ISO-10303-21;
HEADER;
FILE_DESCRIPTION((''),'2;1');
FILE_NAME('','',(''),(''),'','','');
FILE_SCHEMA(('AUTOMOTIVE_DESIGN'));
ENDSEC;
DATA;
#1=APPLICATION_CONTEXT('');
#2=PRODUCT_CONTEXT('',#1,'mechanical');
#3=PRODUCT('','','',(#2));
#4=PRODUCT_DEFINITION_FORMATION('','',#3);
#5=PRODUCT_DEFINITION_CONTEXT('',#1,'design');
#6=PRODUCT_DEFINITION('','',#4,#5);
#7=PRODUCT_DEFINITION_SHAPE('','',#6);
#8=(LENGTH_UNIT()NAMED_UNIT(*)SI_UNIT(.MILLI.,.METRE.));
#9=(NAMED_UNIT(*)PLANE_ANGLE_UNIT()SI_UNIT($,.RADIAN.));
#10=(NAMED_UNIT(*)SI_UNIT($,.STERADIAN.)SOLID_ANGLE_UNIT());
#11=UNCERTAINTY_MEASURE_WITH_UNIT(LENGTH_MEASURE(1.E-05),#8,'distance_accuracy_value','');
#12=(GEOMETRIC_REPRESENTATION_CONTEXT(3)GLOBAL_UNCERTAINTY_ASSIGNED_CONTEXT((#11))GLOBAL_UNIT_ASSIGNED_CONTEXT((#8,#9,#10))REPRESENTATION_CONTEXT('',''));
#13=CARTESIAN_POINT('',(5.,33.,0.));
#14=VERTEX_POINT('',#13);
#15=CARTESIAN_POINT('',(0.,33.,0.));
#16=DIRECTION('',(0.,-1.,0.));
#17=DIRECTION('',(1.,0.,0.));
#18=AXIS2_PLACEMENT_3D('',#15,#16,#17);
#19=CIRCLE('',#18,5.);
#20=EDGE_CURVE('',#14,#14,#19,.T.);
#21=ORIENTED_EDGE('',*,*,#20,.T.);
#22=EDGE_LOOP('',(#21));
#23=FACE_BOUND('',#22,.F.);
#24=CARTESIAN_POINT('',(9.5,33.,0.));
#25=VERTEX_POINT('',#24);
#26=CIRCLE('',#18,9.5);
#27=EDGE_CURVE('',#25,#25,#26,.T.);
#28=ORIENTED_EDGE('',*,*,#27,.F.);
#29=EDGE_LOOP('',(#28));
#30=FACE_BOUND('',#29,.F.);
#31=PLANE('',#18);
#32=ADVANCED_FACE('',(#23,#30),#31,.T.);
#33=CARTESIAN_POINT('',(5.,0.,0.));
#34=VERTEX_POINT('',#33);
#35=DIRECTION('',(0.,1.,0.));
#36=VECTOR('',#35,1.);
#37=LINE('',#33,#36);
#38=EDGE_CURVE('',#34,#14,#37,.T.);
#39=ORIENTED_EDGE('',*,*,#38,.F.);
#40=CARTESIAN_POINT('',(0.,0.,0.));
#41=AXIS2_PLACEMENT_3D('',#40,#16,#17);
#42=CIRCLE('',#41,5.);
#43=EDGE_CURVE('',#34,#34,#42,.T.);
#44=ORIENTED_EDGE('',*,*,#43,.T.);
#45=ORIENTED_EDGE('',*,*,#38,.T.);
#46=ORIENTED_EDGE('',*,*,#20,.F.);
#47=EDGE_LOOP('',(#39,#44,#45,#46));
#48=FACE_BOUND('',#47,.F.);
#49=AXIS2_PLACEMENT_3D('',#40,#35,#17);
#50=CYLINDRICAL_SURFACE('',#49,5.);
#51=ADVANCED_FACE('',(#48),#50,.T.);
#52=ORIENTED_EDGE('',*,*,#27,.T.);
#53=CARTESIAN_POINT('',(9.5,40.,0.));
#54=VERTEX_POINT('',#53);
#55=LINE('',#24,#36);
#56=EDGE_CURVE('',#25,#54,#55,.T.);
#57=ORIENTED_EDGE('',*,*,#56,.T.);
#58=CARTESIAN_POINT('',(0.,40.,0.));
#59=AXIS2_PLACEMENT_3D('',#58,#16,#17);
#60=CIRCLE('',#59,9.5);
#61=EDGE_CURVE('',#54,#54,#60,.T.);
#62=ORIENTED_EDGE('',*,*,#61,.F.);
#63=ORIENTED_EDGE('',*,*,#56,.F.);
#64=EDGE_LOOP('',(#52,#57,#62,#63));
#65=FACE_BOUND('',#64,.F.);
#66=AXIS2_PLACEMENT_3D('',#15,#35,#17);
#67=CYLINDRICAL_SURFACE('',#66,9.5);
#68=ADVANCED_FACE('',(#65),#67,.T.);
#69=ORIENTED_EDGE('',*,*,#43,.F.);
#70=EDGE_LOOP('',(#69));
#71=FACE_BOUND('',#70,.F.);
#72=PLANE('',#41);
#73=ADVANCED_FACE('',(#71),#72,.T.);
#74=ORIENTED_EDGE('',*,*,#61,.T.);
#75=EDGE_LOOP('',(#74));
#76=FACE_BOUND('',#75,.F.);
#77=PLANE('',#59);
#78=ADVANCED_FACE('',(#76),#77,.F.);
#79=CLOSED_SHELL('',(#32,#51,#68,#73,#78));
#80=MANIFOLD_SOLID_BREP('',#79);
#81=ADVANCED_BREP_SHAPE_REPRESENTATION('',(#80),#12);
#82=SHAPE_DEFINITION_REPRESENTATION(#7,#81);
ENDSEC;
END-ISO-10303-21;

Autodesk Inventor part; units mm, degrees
ref_plane "YZ Plane" through (0, 0, 0) normal (1, 0, 0) x (0, 1, 0)
ref_plane "XZ Plane" through (0, 0, 0) normal (0, 1, 0) x (-1, 0, 0)
ref_plane "XY Plane" through (0, 0, 0) normal (0, 0, 1) x (1, 0, 0)
sketch "Boceto1" plane through (0, 0, 0) normal (0, 0, 1) x (1, 0, 0)
  line L0 (0, 0) -> (5, 0)
  line L1 (5, 0) -> (5, 33)
  line L2 (5, 33) -> (9.5, 33)
  line L3 (9.5, 33) -> (9.5, 40)
  line L4 (9.5, 40) -> (0, 40)
  line L5 (0, 40) -> (0, 0)
  dimension "d0" = 10
  dimension "d1" = 19
  dimension "d2" = 7
  dimension "d3" = 40
revolve "Revolución1" add sketch "Boceto1" angle 360 about axis through (0, 40, 0) along (0, -1, 0)
properties part number "Pieza1-Tarea2"
